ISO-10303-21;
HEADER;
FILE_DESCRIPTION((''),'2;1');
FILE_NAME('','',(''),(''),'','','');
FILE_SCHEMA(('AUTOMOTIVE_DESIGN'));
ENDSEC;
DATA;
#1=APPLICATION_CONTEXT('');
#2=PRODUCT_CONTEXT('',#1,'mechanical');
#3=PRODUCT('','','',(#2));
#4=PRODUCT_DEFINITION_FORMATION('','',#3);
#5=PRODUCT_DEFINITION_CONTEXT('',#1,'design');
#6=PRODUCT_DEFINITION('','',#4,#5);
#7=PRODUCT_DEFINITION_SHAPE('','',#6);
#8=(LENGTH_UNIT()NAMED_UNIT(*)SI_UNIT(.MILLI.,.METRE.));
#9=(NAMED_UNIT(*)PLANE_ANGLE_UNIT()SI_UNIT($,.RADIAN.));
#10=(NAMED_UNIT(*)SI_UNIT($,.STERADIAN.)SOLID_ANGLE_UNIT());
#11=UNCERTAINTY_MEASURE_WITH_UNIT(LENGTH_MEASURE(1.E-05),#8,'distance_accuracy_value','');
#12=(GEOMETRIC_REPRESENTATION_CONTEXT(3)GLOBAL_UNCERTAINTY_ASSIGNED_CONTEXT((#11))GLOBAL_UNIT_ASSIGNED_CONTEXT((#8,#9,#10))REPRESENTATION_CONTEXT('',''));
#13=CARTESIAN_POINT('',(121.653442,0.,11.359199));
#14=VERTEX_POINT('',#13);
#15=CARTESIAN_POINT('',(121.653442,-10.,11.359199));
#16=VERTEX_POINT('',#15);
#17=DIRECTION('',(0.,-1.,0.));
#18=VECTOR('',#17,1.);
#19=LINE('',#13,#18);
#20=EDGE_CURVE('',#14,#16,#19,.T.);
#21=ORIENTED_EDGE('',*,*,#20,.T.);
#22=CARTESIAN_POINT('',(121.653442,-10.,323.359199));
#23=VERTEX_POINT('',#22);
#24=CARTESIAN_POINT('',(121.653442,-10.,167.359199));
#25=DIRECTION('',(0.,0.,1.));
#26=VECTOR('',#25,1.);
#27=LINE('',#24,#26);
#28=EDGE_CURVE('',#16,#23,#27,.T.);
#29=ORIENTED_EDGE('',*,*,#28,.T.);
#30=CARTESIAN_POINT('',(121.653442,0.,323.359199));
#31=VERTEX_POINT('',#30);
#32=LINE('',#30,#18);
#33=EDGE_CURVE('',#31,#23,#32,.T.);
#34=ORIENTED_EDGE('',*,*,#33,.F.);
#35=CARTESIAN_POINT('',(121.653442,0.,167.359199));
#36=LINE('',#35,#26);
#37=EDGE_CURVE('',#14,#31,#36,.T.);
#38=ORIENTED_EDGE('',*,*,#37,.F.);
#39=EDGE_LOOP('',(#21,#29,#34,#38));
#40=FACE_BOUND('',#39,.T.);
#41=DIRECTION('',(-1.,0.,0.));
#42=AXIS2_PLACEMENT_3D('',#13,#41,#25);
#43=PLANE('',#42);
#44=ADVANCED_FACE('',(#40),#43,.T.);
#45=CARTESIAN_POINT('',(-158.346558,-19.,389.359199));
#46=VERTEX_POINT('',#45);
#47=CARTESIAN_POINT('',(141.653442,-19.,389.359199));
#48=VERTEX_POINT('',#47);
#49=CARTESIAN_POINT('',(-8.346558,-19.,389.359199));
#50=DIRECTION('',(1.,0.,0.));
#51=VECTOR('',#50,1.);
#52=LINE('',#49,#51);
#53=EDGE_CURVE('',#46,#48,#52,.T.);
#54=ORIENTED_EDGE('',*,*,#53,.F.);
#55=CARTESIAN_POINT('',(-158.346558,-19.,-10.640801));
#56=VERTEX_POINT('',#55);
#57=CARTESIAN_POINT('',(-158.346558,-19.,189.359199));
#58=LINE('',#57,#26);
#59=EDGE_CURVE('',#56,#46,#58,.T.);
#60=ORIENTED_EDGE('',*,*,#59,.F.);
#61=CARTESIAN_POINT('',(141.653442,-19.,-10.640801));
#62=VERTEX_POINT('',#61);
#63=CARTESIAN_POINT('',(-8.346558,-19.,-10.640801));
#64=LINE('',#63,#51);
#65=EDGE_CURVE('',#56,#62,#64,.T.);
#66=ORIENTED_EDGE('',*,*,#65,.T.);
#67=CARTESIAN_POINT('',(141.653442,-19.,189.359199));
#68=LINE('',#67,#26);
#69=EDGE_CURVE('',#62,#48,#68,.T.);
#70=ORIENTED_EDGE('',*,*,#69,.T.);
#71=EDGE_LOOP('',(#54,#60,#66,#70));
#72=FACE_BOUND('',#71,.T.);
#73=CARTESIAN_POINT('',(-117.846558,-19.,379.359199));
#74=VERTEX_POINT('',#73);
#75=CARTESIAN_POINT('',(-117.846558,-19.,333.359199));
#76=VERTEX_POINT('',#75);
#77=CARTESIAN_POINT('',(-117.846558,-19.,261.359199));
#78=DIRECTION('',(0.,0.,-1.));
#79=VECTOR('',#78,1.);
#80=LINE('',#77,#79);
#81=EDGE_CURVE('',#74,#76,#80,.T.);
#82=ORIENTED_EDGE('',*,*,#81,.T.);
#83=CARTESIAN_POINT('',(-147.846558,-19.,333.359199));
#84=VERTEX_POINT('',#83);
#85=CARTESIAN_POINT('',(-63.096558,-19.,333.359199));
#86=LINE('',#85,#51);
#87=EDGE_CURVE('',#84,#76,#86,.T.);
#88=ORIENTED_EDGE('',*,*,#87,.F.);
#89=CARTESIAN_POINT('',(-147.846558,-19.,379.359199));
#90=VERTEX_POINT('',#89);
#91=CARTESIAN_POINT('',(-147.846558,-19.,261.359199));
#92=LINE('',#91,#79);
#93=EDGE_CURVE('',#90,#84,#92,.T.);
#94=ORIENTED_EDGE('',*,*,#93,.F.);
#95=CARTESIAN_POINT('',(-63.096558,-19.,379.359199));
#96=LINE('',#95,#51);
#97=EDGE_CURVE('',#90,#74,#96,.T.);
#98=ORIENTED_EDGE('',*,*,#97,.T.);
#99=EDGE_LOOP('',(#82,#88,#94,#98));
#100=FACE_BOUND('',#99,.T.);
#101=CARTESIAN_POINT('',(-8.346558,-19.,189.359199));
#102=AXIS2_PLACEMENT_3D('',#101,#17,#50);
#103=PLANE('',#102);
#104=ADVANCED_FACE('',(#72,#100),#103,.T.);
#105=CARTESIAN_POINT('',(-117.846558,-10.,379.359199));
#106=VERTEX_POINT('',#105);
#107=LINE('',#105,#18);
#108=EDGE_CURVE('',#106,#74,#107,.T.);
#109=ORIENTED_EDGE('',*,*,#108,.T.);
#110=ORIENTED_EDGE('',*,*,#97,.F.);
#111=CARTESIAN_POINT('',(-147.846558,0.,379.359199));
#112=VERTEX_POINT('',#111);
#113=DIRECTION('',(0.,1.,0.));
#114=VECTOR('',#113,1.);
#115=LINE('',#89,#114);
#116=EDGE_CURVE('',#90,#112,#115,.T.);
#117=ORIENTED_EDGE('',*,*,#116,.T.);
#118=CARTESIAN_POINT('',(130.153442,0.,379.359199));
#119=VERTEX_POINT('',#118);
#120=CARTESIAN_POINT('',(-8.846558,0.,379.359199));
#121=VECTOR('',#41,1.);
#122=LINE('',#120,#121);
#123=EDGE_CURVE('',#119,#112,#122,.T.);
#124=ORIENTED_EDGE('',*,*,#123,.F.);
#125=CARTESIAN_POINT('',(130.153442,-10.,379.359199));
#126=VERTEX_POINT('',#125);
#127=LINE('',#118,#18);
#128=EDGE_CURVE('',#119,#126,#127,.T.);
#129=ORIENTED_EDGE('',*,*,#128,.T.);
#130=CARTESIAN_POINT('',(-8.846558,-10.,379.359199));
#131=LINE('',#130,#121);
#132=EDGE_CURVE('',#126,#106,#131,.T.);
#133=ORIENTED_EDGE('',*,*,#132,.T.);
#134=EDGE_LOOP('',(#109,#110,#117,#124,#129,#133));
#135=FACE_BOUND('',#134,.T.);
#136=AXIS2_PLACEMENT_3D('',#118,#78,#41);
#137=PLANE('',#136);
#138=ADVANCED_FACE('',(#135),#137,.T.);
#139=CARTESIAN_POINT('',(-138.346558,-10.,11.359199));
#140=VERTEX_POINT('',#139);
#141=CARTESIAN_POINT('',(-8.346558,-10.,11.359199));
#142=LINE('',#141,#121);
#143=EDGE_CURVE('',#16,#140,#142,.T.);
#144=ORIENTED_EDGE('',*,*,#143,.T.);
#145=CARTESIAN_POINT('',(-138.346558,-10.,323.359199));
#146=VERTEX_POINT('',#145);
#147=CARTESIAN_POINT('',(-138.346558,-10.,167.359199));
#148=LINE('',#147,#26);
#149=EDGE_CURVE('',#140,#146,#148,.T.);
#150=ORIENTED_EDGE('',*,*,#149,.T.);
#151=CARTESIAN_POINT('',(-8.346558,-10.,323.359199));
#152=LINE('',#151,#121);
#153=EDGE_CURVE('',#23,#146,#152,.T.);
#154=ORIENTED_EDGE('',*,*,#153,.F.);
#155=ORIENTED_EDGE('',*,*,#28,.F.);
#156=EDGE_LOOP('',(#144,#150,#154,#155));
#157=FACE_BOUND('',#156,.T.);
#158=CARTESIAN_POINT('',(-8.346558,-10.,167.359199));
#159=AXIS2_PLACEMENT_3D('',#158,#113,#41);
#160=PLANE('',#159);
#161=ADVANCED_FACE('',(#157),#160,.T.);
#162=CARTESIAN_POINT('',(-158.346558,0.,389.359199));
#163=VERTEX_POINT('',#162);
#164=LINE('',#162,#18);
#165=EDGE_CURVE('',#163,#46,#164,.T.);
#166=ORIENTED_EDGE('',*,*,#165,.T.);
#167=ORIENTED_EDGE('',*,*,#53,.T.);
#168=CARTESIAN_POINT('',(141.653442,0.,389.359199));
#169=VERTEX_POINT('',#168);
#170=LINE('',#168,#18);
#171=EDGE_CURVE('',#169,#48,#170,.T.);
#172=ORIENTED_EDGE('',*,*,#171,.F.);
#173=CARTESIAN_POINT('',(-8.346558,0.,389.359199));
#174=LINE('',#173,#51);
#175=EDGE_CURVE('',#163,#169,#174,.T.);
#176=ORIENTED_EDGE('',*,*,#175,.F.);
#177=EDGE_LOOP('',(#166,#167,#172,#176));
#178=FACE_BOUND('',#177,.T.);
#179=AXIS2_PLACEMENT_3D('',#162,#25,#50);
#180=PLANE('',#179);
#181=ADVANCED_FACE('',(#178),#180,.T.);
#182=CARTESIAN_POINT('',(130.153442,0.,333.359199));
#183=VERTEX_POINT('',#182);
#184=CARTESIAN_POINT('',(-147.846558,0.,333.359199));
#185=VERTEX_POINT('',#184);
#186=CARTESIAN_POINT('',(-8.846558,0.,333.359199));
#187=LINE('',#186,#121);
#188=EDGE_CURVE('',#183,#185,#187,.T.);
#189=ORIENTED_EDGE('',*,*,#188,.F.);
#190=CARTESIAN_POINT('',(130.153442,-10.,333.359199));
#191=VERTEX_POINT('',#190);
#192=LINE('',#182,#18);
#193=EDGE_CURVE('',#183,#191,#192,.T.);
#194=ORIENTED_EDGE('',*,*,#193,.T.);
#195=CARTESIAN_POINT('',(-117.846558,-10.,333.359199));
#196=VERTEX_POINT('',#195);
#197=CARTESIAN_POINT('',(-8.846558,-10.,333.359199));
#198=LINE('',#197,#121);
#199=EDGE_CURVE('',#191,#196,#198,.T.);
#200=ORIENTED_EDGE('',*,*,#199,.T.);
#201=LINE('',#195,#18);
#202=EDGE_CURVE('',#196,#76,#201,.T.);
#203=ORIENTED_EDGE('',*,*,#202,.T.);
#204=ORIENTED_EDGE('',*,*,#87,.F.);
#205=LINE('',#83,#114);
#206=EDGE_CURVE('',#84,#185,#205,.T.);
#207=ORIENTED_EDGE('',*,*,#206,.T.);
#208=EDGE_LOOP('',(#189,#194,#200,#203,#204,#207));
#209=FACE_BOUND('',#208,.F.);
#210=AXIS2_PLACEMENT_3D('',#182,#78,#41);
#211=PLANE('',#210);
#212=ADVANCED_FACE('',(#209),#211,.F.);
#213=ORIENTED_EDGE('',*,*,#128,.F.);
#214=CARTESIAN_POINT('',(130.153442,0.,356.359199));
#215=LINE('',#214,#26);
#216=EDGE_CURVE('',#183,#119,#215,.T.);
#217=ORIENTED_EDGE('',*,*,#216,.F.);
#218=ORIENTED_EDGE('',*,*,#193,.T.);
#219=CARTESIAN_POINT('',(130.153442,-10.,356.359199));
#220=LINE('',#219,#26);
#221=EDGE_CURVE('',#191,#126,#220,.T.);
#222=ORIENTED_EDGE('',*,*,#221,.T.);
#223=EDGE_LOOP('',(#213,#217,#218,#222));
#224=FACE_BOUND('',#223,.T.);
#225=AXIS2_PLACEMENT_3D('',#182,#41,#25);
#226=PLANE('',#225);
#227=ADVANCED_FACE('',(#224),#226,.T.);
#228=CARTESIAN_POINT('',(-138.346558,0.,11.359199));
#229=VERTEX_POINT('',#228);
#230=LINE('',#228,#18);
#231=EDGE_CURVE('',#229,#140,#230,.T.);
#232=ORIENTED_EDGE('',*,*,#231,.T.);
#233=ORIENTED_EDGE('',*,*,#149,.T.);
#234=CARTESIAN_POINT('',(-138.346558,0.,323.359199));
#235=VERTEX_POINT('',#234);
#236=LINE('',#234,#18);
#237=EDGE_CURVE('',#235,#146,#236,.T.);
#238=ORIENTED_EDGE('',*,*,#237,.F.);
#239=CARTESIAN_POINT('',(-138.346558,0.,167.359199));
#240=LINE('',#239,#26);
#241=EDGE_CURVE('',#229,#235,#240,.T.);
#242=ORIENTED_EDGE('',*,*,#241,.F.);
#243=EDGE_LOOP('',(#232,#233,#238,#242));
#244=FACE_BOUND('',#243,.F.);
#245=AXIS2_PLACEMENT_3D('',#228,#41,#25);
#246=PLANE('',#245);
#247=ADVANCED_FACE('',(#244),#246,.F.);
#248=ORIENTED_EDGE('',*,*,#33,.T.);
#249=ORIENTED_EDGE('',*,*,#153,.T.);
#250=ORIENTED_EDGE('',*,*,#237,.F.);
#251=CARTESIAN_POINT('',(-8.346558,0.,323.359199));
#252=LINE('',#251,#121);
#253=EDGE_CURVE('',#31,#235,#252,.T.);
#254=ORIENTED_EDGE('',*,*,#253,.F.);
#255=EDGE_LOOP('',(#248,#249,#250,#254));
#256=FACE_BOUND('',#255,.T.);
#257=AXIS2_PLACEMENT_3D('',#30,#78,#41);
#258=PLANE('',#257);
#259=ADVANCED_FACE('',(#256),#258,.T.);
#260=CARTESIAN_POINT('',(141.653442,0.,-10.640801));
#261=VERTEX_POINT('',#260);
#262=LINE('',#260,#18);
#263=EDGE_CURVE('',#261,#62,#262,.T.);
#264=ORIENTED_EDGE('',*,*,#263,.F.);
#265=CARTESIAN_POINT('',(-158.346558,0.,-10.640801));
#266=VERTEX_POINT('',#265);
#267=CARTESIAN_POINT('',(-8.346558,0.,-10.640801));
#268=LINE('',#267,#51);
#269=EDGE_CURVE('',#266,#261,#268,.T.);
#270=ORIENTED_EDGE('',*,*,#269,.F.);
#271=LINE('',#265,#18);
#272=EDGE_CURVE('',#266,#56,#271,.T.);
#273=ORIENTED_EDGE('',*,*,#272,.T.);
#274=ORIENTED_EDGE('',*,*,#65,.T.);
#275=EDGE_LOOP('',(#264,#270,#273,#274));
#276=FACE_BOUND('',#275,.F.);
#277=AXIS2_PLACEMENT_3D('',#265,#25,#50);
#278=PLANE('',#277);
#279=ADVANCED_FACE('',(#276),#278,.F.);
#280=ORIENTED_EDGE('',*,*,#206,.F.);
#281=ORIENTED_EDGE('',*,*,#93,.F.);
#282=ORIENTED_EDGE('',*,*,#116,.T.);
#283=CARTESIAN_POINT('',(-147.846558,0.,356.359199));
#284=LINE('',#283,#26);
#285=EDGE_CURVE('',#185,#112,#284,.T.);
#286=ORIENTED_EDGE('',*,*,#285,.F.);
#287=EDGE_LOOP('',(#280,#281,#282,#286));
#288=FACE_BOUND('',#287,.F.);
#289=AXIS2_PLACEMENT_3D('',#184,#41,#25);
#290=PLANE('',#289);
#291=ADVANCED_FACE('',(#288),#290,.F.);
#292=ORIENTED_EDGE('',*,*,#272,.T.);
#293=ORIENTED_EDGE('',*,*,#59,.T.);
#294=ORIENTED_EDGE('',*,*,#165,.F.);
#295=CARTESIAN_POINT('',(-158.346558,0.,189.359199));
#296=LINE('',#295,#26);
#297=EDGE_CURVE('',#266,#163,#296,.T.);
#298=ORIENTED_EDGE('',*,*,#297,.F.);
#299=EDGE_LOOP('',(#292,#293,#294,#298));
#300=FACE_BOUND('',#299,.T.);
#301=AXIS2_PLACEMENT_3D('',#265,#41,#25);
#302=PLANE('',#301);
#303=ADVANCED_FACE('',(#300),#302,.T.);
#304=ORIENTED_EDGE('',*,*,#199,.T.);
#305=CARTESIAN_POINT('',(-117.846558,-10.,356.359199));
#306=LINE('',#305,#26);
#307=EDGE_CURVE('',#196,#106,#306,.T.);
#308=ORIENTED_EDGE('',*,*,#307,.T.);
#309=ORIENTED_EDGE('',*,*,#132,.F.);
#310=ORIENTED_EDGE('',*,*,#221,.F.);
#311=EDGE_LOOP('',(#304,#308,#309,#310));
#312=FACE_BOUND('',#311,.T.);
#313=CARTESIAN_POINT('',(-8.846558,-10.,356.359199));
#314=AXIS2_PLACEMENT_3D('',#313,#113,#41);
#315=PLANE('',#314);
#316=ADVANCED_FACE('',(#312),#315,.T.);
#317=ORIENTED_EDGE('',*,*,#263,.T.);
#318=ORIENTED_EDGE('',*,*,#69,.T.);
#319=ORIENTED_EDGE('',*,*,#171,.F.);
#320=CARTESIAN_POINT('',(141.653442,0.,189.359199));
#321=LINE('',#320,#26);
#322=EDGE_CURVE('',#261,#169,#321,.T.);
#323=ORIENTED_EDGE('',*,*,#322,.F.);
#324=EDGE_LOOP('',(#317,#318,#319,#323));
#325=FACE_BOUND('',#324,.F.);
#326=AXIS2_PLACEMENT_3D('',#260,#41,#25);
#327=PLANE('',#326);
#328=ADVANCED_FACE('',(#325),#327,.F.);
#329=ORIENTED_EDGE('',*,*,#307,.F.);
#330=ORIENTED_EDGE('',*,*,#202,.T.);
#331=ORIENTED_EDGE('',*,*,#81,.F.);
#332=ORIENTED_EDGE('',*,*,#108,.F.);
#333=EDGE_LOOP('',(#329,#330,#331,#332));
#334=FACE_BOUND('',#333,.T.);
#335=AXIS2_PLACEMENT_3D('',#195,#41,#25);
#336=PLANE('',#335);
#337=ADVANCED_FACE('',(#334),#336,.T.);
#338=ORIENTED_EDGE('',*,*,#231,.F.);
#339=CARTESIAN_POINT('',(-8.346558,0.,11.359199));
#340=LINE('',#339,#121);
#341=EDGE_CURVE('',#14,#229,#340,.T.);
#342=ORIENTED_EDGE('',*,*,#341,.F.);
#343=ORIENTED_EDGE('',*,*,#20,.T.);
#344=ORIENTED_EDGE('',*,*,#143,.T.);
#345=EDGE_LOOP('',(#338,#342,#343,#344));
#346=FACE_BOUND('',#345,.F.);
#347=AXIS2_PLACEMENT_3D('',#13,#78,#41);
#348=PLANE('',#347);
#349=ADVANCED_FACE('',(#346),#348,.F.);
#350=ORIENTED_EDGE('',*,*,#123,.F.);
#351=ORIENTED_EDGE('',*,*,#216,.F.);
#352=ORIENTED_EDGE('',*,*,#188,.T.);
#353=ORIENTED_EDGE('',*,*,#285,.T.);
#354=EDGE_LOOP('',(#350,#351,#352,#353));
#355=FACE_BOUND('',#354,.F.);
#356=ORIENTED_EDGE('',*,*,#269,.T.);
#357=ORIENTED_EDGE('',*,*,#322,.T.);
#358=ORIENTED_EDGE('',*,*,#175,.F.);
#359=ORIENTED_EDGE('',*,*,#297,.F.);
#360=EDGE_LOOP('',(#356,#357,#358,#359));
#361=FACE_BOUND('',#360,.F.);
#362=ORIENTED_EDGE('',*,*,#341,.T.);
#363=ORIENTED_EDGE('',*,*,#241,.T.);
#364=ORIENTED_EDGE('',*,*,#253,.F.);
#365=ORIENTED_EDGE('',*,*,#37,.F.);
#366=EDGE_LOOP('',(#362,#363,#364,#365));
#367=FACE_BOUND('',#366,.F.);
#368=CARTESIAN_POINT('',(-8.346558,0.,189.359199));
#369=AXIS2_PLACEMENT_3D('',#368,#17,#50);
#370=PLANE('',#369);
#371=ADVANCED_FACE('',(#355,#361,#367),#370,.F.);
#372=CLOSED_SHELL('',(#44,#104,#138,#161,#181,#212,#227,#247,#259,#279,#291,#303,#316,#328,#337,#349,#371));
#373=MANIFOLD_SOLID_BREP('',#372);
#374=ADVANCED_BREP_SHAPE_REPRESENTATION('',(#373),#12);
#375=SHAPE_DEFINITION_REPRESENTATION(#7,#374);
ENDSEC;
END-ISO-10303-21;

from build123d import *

# Parameters (mm, degrees)
F0_W     = 300
F0_H     = 400
F1_DEPTH = 19
F2_W     = 278
F2_H     = 46
F3_DEPTH = 10
F4_W     = 30
F4_H     = 46
F5_DEPTH = 10
F6_W     = 260
F6_H     = 312
F7_DEPTH = 10


with BuildPart() as f1:
    # F0 (on Front) → F1 (new body)
    with BuildSketch(Plane.XZ):
        with Locations((-8.346558, 189.359199)):
            Rectangle(F0_W, F0_H)
    extrude(amount=F1_DEPTH)

    # F2 (on face) → F3 (cut)
    with BuildSketch(Plane(origin=(0, 0, 0), x_dir=(-1, 0, 0), z_dir=(0, 1, 0))):
        with Locations((8.846558, 356.359199)):
            Rectangle(F2_W, F2_H)
    extrude(amount=-F3_DEPTH, mode=Mode.SUBTRACT)

    # F4 (on face) → F5 (cut)
    with BuildSketch(Plane(origin=(0, -10, 0), x_dir=(-1, 0, 0), z_dir=(0, 1, 0))):
        with Locations((132.846558, 356.359199)):
            Rectangle(F4_W, F4_H)
    extrude(amount=-F5_DEPTH, mode=Mode.SUBTRACT)

    # F6 (on face) → F7 (cut)
    with BuildSketch(Plane(origin=(0, 0, 0), x_dir=(-1, 0, 0), z_dir=(0, 1, 0))):
        with Locations((8.346558, 167.359199)):
            Rectangle(F6_W, F6_H)
    extrude(amount=-F7_DEPTH, mode=Mode.SUBTRACT)


solid = f1.part
